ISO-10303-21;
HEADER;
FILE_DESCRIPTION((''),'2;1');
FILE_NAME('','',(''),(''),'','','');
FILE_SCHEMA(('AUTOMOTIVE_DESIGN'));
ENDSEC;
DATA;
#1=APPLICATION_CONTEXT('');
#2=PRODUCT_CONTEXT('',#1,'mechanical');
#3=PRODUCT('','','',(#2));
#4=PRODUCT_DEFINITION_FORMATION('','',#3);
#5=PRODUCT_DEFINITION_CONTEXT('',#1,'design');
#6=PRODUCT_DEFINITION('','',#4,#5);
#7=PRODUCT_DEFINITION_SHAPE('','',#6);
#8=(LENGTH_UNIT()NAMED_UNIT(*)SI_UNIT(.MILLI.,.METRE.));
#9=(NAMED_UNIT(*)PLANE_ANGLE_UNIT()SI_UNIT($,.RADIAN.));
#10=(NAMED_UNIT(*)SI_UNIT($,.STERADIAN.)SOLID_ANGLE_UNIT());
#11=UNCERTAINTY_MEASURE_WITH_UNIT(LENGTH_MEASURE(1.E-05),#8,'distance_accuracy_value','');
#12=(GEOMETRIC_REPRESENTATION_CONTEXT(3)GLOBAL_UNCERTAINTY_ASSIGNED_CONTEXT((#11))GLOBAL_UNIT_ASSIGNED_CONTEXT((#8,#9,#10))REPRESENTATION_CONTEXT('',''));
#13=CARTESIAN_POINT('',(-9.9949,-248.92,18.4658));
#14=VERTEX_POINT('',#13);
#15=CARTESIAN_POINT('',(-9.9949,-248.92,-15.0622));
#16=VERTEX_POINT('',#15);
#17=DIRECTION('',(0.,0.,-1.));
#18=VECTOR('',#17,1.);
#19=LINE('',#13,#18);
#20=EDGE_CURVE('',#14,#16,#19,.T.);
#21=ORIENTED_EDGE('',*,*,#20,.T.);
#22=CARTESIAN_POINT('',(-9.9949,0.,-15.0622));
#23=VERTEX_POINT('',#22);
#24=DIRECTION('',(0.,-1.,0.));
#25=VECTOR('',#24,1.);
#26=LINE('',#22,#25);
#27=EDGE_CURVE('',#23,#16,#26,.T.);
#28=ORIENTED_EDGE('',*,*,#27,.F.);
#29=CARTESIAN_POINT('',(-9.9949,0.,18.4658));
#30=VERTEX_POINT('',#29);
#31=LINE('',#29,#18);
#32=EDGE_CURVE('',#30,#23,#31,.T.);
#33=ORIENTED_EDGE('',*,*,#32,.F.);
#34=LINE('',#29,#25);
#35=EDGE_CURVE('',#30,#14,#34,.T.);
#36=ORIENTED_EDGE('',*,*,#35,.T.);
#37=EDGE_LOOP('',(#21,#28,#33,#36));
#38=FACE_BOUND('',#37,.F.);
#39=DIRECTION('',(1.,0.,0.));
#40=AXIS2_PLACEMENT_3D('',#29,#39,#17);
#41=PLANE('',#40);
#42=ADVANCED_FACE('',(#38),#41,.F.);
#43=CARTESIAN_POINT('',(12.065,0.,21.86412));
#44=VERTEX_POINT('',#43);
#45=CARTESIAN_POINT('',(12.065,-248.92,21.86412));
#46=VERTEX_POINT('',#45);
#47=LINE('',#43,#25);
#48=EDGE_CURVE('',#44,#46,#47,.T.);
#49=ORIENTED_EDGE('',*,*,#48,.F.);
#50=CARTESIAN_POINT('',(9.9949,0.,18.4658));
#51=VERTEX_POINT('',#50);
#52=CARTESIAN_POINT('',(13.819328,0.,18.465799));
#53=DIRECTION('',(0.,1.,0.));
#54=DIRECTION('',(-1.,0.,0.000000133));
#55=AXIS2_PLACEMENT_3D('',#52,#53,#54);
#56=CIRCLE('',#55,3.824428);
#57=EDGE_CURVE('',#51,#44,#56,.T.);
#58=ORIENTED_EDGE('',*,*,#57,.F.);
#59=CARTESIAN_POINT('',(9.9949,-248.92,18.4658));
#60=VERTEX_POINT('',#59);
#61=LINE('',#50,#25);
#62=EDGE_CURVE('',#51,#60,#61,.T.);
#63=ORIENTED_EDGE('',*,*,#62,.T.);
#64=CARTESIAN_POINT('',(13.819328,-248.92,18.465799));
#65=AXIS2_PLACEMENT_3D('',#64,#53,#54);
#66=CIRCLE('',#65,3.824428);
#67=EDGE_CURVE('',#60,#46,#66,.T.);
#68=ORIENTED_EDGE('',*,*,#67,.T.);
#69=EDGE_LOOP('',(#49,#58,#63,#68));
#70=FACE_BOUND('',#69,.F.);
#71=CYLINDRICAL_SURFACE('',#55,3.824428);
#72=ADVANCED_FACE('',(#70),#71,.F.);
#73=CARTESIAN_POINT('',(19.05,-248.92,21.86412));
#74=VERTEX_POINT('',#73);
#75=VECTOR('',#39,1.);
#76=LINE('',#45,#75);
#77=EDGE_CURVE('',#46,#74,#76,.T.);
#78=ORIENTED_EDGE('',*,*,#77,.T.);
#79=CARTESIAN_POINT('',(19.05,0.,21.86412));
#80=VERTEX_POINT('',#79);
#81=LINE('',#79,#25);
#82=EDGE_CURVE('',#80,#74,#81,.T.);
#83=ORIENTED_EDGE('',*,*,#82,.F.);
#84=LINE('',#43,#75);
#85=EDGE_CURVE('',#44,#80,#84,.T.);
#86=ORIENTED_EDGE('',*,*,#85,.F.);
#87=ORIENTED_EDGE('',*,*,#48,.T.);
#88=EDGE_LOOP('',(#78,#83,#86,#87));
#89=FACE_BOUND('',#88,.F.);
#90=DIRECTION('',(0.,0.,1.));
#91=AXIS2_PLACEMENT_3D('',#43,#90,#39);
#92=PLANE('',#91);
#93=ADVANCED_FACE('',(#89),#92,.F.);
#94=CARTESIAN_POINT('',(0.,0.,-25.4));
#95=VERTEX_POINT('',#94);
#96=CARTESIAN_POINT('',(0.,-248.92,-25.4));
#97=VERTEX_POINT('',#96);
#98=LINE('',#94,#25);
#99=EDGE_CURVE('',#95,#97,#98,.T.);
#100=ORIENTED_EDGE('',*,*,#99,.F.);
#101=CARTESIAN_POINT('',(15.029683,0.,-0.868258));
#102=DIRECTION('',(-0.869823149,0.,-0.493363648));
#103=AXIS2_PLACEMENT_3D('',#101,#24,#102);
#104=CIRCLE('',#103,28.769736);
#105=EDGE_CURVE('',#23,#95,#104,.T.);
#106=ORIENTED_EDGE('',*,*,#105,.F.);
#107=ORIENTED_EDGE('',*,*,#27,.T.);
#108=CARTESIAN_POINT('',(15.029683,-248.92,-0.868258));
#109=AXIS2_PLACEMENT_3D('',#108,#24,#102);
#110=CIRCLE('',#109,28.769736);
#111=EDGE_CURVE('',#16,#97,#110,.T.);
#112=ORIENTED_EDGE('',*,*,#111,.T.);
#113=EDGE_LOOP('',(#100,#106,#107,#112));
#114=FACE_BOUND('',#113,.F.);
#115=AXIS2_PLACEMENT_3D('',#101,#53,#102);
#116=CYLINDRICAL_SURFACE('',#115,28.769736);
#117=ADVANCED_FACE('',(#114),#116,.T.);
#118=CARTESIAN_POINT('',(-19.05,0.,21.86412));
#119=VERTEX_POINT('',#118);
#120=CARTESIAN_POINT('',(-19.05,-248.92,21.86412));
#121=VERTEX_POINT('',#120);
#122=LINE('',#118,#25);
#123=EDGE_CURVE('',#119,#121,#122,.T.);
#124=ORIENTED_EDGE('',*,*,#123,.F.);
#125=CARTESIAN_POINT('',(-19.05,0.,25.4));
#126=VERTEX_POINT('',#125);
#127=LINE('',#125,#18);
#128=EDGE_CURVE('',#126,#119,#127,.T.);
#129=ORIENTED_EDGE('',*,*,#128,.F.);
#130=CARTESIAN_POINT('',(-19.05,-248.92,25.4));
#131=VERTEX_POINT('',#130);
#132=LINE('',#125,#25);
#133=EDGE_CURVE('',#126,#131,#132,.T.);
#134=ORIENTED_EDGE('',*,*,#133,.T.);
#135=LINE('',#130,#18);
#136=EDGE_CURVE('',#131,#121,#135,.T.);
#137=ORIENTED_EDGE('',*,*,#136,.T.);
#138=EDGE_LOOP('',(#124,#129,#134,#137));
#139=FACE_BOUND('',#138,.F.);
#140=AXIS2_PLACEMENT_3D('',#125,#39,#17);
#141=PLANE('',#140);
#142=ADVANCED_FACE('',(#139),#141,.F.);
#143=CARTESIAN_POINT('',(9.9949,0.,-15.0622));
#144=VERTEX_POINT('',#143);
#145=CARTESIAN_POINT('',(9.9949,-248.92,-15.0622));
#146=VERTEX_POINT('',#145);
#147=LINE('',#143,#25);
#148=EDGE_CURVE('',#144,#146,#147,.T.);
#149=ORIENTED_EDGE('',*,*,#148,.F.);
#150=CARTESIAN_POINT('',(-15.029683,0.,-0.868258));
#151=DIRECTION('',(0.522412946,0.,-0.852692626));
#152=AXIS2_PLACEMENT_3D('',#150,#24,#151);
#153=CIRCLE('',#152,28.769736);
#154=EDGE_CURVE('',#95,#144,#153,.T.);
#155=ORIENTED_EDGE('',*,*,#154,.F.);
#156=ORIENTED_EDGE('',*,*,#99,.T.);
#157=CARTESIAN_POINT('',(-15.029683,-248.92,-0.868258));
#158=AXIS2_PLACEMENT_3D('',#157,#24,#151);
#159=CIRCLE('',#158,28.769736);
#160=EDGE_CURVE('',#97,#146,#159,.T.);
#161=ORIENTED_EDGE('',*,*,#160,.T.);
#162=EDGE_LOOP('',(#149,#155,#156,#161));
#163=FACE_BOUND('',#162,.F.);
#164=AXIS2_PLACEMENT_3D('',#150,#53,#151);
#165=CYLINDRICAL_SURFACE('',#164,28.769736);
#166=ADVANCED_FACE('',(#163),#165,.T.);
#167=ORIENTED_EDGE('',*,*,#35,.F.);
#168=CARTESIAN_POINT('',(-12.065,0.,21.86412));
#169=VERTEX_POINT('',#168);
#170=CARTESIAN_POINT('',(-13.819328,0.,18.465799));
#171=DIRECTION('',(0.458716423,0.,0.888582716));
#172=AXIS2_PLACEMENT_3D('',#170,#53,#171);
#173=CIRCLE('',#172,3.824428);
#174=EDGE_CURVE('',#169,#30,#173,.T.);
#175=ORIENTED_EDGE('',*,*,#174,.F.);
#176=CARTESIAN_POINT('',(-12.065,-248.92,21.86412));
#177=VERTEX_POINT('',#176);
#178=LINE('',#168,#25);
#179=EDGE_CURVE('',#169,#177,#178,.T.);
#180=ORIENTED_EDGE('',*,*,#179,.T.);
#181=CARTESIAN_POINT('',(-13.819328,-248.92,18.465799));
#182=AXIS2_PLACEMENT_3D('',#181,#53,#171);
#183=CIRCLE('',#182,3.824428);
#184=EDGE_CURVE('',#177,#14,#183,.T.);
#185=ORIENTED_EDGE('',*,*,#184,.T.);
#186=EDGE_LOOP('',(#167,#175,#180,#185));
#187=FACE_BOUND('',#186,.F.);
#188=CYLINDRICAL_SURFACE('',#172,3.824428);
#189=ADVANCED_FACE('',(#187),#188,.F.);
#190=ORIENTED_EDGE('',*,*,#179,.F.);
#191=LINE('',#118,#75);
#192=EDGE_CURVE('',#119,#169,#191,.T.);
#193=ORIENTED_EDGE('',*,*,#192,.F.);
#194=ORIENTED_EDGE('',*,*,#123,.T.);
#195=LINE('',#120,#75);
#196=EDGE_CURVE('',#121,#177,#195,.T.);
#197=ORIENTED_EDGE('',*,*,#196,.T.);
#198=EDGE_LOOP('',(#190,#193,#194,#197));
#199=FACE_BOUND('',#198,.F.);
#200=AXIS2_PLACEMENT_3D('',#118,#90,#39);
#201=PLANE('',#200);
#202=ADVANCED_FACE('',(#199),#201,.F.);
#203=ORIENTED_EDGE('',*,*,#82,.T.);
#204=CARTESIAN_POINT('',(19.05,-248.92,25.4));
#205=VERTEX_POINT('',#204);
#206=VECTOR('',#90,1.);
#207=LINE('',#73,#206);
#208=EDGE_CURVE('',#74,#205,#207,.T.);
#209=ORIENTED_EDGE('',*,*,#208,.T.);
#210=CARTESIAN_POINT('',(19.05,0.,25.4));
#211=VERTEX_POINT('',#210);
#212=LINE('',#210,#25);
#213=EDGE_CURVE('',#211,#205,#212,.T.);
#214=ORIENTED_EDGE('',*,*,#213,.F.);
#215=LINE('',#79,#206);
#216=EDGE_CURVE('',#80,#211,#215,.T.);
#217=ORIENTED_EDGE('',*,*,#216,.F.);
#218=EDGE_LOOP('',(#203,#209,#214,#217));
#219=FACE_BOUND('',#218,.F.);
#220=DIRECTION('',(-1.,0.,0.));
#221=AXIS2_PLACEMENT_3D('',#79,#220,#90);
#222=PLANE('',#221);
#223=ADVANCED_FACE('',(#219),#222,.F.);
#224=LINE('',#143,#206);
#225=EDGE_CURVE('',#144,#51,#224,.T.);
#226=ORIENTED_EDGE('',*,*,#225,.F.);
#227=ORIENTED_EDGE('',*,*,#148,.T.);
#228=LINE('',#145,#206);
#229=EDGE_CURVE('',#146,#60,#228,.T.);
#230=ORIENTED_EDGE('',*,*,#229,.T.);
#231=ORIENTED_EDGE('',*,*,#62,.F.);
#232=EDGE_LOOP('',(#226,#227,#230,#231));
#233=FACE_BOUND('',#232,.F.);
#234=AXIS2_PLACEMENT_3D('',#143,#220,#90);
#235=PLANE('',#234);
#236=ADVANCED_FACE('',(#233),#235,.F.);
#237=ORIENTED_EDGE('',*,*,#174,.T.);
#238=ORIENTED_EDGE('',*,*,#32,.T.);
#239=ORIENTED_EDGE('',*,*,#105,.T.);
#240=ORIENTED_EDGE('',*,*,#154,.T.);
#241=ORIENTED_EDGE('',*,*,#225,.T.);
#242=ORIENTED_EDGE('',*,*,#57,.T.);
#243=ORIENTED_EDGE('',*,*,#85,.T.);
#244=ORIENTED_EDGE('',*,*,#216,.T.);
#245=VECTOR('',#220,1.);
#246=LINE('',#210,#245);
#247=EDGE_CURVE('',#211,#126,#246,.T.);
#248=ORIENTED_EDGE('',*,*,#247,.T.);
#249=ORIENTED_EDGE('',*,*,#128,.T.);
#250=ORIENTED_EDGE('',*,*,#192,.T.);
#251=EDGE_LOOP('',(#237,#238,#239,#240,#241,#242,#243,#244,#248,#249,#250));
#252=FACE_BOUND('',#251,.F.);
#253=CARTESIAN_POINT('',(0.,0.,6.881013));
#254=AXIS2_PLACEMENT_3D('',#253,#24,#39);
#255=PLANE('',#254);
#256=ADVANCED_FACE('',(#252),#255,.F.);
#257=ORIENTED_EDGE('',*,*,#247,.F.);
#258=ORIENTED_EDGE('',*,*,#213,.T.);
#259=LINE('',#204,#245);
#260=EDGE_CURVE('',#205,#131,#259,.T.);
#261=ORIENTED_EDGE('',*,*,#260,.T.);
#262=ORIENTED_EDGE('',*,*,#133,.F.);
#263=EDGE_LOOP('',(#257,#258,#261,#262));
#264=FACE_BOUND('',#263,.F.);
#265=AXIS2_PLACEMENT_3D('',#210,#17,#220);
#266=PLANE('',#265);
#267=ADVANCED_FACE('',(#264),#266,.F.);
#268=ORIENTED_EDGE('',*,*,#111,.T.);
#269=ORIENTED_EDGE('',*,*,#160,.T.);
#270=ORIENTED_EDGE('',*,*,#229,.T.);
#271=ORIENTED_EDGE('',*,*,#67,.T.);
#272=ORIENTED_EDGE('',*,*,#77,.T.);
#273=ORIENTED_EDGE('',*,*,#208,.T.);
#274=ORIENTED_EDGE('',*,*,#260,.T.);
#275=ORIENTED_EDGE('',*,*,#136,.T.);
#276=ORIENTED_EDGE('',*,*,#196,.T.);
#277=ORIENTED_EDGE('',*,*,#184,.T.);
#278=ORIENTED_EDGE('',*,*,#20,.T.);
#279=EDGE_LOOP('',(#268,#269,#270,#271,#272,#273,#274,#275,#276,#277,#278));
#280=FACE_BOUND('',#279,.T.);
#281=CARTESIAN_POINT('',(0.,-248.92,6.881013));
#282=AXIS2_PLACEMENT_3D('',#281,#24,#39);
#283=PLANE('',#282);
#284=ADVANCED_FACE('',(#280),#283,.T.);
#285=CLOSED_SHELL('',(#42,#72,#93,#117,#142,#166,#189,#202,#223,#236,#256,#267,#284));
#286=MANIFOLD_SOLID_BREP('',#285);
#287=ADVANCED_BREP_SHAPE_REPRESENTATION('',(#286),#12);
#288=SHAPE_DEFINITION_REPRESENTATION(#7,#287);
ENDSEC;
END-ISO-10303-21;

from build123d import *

# Parameters (mm, degrees)
F1_DEPTH = 248.92


with BuildPart() as f1:
    # F0 (on Front) → F1 (new body)
    with BuildSketch(Plane.XZ):
        with BuildLine():
            Line((19.05, 25.4), (-19.05, 25.4))
            Line((-19.05, 25.4), (-19.05, 21.86412))
            Line((-19.05, 21.86412), (-12.065, 21.86412))
            ThreePointArc((-12.065, 21.86412), (-10.553172, 20.455391), (-9.9949, 18.4658))
            Line((-9.9949, 18.4658), (-9.9949, -15.0622))
            ThreePointArc((-9.9949, -15.0622), (-5.65373, -20.865612), (0, -25.4))
            ThreePointArc((0, -25.4), (5.65373, -20.865612), (9.9949, -15.0622))
            Line((9.9949, -15.0622), (9.9949, 18.4658))
            ThreePointArc((9.9949, 18.4658), (10.553172, 20.455391), (12.065, 21.86412))
            Line((12.065, 21.86412), (19.05, 21.86412))
            Line((19.05, 21.86412), (19.05, 25.4))
        make_face()
    extrude(amount=F1_DEPTH)


solid = f1.part
